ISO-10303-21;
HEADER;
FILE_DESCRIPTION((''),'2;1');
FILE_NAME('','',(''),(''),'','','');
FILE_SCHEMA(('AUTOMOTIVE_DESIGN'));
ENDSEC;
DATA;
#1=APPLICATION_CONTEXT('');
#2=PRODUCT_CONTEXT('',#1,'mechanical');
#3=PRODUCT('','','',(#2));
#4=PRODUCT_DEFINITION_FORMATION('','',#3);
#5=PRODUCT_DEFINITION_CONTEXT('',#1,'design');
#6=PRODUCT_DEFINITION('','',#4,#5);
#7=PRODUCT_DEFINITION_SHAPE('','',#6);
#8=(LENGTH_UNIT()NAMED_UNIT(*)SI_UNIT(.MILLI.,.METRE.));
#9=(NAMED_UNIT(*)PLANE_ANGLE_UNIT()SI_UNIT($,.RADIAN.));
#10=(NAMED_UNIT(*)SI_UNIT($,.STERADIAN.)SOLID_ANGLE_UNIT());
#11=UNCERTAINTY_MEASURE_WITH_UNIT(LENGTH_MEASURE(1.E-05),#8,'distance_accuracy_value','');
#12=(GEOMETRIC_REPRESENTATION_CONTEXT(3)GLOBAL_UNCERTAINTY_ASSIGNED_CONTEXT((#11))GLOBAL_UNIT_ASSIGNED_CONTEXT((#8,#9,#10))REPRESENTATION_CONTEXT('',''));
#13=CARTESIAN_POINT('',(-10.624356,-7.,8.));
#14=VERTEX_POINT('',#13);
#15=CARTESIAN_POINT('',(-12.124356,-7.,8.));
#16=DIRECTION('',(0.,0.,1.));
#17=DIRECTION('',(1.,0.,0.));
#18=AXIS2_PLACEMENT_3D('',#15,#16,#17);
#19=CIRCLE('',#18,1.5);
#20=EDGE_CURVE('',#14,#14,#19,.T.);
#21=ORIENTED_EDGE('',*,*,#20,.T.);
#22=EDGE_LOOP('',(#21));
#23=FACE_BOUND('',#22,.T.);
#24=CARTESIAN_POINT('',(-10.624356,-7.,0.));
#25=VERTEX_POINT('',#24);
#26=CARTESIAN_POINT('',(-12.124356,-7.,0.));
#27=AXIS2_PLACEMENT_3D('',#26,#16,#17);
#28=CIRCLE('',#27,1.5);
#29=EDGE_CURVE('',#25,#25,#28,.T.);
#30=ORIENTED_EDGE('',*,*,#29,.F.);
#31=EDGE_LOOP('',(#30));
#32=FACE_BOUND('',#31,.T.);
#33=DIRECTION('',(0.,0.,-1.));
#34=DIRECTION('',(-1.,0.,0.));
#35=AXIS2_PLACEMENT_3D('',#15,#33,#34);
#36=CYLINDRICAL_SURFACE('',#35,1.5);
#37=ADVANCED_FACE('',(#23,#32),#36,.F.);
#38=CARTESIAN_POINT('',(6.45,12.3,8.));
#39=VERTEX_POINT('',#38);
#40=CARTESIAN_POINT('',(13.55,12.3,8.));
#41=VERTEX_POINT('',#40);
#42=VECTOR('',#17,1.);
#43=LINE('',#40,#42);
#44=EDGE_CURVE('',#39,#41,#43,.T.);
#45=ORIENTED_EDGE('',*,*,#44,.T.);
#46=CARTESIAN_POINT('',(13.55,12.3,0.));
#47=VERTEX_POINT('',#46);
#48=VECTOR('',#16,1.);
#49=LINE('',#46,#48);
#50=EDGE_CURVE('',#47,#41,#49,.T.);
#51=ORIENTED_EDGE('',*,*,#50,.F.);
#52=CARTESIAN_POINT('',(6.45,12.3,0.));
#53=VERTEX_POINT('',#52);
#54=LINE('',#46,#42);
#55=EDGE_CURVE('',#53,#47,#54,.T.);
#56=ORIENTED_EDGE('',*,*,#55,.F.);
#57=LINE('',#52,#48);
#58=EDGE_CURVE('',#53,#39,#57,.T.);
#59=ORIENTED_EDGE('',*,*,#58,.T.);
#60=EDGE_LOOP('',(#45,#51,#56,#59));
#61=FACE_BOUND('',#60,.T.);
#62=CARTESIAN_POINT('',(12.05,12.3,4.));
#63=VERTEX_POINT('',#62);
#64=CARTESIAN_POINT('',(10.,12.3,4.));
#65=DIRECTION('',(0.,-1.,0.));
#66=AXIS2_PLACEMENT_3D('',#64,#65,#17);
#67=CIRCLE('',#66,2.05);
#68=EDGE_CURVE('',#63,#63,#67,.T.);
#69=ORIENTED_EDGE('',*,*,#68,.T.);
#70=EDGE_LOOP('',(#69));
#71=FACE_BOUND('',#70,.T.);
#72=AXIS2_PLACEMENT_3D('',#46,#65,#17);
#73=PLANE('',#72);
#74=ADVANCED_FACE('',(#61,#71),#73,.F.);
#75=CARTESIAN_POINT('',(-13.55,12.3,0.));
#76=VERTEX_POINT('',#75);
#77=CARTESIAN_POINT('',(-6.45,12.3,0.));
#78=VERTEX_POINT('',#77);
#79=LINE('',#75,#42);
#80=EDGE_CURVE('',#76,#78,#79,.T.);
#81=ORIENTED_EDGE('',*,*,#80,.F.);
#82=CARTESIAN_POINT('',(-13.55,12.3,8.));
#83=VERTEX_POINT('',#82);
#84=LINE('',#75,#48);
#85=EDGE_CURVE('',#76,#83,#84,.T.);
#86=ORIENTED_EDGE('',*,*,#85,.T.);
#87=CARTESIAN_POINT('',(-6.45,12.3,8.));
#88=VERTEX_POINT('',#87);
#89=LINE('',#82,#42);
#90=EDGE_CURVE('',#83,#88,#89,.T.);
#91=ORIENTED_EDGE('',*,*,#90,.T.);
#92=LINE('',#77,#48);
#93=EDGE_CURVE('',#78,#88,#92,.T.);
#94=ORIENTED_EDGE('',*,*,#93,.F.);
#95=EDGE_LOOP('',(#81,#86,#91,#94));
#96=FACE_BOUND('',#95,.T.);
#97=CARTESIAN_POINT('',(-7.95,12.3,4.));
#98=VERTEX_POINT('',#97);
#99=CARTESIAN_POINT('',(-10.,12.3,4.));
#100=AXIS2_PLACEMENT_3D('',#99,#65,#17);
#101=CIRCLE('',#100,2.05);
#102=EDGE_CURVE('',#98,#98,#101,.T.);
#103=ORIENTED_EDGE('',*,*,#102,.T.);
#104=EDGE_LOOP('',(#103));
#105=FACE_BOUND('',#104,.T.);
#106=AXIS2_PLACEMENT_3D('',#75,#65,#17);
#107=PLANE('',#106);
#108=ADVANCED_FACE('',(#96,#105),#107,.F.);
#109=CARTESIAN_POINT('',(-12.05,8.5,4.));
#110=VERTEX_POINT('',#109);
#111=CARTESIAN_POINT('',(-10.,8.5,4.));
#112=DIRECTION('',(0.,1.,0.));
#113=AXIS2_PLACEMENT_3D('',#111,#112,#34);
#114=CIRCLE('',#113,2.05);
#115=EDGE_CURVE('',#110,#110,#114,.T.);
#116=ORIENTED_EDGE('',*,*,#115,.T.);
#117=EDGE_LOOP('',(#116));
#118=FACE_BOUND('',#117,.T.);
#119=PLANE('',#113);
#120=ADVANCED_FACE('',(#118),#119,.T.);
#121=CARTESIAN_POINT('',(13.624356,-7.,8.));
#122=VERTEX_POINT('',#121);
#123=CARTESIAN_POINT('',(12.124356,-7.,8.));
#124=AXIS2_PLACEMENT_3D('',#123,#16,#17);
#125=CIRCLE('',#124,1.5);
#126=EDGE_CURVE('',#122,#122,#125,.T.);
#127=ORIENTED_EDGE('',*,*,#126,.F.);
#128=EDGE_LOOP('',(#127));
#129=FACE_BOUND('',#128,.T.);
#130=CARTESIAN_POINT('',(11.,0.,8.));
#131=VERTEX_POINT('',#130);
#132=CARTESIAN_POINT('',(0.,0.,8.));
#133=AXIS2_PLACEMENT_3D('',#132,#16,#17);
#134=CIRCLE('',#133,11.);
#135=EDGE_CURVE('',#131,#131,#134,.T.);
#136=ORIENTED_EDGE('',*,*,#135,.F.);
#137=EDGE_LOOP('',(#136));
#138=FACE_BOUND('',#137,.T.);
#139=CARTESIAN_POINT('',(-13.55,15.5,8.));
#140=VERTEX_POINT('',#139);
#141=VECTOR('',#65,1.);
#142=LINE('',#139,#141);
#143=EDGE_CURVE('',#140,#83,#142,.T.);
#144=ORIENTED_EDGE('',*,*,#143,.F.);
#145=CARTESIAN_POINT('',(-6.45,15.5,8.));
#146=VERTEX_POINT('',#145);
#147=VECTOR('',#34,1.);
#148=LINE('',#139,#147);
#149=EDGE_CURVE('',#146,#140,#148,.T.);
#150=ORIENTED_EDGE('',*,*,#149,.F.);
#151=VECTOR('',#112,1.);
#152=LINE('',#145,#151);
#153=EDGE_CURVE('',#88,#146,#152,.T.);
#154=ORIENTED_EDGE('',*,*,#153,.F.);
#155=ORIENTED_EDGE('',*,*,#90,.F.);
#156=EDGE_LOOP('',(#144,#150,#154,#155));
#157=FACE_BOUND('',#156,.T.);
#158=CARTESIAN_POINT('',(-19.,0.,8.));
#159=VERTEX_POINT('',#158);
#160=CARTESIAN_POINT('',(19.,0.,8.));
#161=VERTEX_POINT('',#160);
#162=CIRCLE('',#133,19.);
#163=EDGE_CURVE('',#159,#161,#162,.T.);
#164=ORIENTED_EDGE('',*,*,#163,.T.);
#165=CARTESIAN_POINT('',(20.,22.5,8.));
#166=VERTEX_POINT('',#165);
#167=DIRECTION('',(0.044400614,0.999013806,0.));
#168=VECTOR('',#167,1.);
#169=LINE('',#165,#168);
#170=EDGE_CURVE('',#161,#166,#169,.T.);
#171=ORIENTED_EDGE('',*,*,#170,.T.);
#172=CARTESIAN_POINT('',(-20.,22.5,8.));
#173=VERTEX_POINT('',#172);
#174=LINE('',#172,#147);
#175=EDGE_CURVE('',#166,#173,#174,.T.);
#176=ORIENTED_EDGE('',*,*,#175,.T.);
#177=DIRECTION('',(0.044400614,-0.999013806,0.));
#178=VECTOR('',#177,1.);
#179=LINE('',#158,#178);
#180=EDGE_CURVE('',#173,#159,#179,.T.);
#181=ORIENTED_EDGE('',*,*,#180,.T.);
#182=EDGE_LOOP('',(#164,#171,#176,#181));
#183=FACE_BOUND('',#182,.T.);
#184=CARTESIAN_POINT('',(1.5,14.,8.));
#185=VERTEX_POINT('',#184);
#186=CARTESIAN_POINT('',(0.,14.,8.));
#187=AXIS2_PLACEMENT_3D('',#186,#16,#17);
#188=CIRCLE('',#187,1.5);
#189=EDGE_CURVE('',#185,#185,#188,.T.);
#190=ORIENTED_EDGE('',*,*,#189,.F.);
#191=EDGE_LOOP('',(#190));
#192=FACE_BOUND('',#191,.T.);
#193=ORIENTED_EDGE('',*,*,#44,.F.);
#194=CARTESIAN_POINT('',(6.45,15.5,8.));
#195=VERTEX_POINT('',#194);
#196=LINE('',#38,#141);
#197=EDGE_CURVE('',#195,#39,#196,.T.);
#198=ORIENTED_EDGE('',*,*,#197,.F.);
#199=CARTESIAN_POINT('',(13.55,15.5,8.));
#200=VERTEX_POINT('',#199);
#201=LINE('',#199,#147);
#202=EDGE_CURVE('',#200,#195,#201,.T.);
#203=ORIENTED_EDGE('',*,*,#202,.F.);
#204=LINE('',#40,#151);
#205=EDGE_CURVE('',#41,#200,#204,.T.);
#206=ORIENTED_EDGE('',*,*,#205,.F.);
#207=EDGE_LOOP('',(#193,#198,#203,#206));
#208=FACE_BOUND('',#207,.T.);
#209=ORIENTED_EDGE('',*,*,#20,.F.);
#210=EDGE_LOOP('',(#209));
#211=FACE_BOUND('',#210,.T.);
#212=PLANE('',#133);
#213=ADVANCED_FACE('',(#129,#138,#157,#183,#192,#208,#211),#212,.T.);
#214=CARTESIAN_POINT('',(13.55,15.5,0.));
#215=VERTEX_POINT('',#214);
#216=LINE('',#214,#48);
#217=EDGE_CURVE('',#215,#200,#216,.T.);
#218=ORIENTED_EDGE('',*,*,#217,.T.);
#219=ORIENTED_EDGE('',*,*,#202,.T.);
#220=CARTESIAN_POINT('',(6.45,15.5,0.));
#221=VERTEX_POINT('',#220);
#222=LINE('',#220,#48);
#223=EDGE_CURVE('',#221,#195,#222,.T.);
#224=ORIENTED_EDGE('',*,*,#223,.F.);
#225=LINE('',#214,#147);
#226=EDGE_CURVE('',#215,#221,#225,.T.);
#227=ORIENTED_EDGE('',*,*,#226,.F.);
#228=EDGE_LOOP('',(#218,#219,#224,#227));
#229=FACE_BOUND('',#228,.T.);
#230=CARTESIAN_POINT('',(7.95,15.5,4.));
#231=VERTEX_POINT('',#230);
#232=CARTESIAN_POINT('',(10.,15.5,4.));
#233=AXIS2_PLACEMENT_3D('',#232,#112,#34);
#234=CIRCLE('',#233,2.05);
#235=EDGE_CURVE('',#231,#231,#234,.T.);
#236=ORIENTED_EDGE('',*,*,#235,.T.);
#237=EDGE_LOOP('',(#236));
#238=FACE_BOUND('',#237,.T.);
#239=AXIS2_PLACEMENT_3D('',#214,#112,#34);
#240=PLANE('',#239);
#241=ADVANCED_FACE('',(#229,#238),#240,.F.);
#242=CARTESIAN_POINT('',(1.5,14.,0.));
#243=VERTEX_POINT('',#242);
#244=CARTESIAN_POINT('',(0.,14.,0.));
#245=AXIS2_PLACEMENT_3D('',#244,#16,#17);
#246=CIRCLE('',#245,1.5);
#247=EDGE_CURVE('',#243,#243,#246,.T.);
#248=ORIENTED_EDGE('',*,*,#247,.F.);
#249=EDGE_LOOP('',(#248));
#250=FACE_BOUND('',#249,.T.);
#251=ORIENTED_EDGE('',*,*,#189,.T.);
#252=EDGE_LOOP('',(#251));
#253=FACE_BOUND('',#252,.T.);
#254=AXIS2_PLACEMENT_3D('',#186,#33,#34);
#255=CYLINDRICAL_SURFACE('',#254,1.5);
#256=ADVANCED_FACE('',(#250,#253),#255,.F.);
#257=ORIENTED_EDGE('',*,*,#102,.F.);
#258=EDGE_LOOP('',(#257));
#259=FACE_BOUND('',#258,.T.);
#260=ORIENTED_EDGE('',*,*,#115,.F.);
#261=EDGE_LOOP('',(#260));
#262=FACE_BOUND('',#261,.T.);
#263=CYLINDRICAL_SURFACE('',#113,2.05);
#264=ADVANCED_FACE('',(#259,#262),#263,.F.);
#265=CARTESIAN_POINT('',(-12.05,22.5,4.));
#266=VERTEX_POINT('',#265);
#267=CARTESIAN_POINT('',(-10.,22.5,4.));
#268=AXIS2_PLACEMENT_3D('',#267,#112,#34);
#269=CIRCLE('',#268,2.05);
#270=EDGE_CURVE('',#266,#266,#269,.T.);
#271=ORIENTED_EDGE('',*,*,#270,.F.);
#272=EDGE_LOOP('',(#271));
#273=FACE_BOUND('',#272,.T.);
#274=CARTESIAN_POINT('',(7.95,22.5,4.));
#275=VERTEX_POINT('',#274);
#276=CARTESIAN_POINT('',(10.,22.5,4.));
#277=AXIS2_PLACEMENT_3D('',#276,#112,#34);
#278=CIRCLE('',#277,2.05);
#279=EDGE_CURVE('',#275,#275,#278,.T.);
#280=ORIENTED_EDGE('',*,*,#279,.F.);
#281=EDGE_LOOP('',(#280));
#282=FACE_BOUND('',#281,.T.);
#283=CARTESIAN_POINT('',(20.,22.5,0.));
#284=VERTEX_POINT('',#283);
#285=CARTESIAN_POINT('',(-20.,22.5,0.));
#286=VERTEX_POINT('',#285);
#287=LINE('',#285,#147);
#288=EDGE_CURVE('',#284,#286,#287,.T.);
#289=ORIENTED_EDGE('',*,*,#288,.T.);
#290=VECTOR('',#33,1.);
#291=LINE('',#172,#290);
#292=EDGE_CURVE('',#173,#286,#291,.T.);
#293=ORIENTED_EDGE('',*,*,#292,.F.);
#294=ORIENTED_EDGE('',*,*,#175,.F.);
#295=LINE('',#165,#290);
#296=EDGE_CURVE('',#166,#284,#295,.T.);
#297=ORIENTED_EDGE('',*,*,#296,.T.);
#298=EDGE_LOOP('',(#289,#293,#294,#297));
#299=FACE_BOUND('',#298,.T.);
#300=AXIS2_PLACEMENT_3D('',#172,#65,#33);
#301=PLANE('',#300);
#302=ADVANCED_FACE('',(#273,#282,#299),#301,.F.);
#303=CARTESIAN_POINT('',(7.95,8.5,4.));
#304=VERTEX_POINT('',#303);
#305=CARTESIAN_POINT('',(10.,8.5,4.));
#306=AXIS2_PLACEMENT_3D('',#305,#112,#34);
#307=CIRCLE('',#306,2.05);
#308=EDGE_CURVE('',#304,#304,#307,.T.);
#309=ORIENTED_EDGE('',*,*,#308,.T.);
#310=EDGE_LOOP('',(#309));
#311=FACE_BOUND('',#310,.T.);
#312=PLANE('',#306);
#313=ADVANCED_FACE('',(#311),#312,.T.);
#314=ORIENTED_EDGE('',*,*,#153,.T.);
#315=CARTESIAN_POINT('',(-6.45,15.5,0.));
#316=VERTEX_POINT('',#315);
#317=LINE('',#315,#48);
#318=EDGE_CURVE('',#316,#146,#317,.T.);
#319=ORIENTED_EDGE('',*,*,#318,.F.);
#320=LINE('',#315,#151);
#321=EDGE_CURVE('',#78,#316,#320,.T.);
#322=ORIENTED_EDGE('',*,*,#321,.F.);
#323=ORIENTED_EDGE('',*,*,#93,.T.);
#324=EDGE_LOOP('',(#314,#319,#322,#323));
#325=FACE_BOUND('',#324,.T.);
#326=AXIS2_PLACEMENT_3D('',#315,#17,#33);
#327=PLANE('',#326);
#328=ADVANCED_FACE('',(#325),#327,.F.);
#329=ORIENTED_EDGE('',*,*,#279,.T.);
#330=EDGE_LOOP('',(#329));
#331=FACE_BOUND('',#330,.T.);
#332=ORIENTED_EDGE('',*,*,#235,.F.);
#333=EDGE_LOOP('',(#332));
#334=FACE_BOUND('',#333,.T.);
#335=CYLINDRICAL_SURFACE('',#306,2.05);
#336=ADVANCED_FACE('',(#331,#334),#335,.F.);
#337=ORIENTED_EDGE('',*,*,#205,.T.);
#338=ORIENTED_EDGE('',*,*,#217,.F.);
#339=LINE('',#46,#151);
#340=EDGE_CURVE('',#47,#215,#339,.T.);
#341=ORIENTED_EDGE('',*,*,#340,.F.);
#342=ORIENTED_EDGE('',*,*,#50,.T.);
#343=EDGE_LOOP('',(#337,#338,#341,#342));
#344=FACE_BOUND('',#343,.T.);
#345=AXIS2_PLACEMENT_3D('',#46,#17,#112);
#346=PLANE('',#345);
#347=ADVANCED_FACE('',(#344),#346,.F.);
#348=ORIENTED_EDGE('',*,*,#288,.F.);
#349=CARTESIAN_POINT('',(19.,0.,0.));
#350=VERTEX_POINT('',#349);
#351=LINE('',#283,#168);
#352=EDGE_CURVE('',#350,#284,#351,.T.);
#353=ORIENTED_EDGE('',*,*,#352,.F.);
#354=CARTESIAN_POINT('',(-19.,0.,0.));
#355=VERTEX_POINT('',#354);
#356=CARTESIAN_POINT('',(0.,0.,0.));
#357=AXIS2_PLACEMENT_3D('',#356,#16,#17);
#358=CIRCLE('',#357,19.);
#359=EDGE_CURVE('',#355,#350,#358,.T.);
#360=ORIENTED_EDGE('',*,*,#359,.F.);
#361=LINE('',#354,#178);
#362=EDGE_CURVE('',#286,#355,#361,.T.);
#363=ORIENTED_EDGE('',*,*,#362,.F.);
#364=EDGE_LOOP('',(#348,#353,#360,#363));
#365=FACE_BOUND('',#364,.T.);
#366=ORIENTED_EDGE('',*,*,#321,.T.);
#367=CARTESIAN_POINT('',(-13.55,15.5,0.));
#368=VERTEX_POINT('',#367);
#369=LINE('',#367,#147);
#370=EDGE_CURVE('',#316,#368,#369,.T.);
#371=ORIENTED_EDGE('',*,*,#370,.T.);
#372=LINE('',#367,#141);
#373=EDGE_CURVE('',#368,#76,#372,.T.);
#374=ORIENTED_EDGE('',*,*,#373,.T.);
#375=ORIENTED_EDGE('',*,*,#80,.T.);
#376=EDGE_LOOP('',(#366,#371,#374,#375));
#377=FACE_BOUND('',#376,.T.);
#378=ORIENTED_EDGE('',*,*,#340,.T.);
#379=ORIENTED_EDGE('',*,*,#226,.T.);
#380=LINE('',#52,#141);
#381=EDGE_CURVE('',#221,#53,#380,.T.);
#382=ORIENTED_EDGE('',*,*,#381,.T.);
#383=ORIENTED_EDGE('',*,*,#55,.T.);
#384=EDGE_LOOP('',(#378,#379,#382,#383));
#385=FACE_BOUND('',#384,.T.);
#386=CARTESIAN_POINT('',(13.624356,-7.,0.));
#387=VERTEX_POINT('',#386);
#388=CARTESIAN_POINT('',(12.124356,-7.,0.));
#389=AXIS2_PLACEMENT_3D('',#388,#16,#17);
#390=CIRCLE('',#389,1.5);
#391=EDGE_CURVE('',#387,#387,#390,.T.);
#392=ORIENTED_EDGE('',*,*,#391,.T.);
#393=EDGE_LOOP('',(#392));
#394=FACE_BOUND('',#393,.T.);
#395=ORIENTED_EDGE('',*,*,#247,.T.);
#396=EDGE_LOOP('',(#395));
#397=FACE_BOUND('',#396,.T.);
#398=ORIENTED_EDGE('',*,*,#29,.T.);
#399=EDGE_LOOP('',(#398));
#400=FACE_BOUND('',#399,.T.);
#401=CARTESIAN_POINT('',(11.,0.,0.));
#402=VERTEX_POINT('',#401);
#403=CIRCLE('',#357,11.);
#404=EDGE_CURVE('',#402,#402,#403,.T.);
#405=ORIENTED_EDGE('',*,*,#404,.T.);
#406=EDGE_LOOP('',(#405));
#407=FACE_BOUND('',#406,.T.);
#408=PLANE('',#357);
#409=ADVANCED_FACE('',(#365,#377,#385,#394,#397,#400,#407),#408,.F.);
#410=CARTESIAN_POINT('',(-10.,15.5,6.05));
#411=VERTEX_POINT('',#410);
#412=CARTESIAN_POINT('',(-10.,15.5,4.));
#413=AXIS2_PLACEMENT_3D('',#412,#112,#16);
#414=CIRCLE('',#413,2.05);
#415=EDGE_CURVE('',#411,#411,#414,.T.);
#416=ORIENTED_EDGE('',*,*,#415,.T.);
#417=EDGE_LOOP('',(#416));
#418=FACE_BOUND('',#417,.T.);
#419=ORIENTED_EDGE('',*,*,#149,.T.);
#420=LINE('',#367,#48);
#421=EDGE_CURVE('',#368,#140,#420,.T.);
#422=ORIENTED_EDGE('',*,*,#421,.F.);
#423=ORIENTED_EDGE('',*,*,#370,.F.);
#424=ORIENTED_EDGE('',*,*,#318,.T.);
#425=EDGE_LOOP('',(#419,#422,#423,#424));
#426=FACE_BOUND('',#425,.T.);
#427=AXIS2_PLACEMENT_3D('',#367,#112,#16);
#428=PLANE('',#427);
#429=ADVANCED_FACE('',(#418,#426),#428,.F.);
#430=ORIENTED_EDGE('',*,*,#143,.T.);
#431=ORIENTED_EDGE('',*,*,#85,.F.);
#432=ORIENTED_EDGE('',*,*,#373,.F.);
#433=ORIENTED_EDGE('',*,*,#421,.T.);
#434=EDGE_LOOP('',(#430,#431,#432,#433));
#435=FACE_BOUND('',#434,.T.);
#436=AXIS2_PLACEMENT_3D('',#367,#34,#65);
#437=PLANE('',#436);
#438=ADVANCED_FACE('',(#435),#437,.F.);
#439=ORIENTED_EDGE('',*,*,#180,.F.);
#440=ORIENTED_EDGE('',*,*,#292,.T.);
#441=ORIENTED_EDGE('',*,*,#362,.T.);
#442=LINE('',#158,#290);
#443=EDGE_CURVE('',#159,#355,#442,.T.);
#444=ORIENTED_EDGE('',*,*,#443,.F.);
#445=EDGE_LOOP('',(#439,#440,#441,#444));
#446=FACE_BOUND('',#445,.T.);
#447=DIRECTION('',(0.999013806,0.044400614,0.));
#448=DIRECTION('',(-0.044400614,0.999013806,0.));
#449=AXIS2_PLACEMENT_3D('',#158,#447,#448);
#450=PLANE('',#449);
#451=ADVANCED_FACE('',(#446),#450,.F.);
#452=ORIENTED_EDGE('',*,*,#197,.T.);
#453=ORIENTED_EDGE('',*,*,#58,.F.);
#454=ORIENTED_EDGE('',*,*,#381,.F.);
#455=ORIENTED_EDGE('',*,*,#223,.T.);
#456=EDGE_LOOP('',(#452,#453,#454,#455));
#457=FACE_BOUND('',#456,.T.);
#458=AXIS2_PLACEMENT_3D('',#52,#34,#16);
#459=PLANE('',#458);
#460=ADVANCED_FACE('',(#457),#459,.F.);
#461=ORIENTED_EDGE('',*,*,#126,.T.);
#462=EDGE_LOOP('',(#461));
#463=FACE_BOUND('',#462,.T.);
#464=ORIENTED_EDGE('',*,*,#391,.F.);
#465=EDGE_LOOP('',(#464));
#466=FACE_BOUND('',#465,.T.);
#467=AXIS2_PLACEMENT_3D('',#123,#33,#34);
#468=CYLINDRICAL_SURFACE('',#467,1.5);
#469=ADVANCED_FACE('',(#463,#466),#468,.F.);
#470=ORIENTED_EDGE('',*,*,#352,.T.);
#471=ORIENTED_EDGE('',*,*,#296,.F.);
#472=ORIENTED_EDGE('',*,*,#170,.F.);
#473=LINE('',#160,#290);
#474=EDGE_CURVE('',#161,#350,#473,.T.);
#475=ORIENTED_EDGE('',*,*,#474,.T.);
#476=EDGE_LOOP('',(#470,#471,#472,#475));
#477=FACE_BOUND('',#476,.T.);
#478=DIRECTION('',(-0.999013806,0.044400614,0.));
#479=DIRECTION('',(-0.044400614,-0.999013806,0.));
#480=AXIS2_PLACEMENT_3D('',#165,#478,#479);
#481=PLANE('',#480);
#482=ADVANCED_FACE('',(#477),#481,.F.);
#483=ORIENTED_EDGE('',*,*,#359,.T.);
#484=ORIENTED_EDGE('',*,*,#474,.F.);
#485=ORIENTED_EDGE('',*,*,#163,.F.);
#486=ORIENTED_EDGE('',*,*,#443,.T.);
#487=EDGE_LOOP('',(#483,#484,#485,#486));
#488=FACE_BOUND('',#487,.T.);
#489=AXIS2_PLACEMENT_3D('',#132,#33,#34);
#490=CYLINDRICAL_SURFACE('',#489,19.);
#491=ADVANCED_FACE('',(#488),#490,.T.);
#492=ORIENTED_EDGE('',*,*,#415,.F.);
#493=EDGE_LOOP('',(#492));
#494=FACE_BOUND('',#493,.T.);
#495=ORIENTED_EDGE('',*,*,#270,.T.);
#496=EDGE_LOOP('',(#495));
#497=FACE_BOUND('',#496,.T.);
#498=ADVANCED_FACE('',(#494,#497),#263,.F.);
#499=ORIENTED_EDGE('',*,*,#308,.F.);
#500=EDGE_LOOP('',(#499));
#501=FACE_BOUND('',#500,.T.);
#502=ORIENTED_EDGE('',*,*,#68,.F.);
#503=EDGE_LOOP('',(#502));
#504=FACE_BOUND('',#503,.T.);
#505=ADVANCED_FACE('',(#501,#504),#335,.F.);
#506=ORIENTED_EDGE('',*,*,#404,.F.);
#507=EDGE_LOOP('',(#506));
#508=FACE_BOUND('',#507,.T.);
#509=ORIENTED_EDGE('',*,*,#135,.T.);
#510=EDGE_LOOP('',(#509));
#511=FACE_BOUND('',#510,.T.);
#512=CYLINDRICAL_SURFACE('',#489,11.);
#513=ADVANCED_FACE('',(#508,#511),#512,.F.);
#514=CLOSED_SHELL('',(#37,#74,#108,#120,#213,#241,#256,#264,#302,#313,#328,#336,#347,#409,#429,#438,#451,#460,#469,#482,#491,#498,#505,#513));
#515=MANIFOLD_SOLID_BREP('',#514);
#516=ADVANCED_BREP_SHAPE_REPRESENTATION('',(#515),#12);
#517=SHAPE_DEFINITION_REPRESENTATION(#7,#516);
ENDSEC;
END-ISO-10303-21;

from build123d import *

# Parameters (mm, degrees)
SKETCH1_R           = 1.5
SKETCH1_R_2         = 11
BOSS_EXTRUDE1_DEPTH = 8
SKETCH4_W           = 7.1
SKETCH4_H           = 3.2
CUT_EXTRUDE1_DEPTH  = 32.148836254
SKETCH5_R           = 2.05
CUT_EXTRUDE2_DEPTH  = 14


with BuildPart() as part:
    # Sketch1 → Boss-Extrude1 (new body)
    with BuildSketch(Plane.XY):
        with BuildLine():
            Line((-19, 0), (-20, 22.5))
            Line((-20, 22.5), (20, 22.5))
            Line((20, 22.5), (19, 0))
            ThreePointArc((19, 0), (0, -19), (-19, 0))
        make_face()
        with Locations((0, 14)):
            Circle(SKETCH1_R, mode=Mode.SUBTRACT)
        Circle(SKETCH1_R_2, mode=Mode.SUBTRACT)
        with Locations((12.124355653, -7)):
            Circle(SKETCH1_R, mode=Mode.SUBTRACT)
        with Locations((-12.124355653, -7)):
            Circle(SKETCH1_R, mode=Mode.SUBTRACT)
    extrude(amount=BOSS_EXTRUDE1_DEPTH)

    # Sketch4 → Cut-Extrude1 (cut, through all)
    with BuildSketch(Plane.XY.offset(8)):
        with Locations((-10, 13.9)):
            Rectangle(SKETCH4_W, SKETCH4_H)
        with Locations((10, 13.9)):
            Rectangle(SKETCH4_W, SKETCH4_H)
    extrude(amount=-CUT_EXTRUDE1_DEPTH, mode=Mode.SUBTRACT)

    # Sketch5 → Cut-Extrude2 (cut)
    with BuildSketch(Plane(origin=(0, 22.5, 0), x_dir=(1, 0, 0), z_dir=(0, 1, 0))):
        with Locations(Location((-10, -4, 0), (0, 0, 180))):
            Circle(SKETCH5_R)
        with Locations(Location((10, -4, 0), (0, 0, 180))):
            Circle(SKETCH5_R)
    extrude(amount=-CUT_EXTRUDE2_DEPTH, mode=Mode.SUBTRACT)


solid = part.part
